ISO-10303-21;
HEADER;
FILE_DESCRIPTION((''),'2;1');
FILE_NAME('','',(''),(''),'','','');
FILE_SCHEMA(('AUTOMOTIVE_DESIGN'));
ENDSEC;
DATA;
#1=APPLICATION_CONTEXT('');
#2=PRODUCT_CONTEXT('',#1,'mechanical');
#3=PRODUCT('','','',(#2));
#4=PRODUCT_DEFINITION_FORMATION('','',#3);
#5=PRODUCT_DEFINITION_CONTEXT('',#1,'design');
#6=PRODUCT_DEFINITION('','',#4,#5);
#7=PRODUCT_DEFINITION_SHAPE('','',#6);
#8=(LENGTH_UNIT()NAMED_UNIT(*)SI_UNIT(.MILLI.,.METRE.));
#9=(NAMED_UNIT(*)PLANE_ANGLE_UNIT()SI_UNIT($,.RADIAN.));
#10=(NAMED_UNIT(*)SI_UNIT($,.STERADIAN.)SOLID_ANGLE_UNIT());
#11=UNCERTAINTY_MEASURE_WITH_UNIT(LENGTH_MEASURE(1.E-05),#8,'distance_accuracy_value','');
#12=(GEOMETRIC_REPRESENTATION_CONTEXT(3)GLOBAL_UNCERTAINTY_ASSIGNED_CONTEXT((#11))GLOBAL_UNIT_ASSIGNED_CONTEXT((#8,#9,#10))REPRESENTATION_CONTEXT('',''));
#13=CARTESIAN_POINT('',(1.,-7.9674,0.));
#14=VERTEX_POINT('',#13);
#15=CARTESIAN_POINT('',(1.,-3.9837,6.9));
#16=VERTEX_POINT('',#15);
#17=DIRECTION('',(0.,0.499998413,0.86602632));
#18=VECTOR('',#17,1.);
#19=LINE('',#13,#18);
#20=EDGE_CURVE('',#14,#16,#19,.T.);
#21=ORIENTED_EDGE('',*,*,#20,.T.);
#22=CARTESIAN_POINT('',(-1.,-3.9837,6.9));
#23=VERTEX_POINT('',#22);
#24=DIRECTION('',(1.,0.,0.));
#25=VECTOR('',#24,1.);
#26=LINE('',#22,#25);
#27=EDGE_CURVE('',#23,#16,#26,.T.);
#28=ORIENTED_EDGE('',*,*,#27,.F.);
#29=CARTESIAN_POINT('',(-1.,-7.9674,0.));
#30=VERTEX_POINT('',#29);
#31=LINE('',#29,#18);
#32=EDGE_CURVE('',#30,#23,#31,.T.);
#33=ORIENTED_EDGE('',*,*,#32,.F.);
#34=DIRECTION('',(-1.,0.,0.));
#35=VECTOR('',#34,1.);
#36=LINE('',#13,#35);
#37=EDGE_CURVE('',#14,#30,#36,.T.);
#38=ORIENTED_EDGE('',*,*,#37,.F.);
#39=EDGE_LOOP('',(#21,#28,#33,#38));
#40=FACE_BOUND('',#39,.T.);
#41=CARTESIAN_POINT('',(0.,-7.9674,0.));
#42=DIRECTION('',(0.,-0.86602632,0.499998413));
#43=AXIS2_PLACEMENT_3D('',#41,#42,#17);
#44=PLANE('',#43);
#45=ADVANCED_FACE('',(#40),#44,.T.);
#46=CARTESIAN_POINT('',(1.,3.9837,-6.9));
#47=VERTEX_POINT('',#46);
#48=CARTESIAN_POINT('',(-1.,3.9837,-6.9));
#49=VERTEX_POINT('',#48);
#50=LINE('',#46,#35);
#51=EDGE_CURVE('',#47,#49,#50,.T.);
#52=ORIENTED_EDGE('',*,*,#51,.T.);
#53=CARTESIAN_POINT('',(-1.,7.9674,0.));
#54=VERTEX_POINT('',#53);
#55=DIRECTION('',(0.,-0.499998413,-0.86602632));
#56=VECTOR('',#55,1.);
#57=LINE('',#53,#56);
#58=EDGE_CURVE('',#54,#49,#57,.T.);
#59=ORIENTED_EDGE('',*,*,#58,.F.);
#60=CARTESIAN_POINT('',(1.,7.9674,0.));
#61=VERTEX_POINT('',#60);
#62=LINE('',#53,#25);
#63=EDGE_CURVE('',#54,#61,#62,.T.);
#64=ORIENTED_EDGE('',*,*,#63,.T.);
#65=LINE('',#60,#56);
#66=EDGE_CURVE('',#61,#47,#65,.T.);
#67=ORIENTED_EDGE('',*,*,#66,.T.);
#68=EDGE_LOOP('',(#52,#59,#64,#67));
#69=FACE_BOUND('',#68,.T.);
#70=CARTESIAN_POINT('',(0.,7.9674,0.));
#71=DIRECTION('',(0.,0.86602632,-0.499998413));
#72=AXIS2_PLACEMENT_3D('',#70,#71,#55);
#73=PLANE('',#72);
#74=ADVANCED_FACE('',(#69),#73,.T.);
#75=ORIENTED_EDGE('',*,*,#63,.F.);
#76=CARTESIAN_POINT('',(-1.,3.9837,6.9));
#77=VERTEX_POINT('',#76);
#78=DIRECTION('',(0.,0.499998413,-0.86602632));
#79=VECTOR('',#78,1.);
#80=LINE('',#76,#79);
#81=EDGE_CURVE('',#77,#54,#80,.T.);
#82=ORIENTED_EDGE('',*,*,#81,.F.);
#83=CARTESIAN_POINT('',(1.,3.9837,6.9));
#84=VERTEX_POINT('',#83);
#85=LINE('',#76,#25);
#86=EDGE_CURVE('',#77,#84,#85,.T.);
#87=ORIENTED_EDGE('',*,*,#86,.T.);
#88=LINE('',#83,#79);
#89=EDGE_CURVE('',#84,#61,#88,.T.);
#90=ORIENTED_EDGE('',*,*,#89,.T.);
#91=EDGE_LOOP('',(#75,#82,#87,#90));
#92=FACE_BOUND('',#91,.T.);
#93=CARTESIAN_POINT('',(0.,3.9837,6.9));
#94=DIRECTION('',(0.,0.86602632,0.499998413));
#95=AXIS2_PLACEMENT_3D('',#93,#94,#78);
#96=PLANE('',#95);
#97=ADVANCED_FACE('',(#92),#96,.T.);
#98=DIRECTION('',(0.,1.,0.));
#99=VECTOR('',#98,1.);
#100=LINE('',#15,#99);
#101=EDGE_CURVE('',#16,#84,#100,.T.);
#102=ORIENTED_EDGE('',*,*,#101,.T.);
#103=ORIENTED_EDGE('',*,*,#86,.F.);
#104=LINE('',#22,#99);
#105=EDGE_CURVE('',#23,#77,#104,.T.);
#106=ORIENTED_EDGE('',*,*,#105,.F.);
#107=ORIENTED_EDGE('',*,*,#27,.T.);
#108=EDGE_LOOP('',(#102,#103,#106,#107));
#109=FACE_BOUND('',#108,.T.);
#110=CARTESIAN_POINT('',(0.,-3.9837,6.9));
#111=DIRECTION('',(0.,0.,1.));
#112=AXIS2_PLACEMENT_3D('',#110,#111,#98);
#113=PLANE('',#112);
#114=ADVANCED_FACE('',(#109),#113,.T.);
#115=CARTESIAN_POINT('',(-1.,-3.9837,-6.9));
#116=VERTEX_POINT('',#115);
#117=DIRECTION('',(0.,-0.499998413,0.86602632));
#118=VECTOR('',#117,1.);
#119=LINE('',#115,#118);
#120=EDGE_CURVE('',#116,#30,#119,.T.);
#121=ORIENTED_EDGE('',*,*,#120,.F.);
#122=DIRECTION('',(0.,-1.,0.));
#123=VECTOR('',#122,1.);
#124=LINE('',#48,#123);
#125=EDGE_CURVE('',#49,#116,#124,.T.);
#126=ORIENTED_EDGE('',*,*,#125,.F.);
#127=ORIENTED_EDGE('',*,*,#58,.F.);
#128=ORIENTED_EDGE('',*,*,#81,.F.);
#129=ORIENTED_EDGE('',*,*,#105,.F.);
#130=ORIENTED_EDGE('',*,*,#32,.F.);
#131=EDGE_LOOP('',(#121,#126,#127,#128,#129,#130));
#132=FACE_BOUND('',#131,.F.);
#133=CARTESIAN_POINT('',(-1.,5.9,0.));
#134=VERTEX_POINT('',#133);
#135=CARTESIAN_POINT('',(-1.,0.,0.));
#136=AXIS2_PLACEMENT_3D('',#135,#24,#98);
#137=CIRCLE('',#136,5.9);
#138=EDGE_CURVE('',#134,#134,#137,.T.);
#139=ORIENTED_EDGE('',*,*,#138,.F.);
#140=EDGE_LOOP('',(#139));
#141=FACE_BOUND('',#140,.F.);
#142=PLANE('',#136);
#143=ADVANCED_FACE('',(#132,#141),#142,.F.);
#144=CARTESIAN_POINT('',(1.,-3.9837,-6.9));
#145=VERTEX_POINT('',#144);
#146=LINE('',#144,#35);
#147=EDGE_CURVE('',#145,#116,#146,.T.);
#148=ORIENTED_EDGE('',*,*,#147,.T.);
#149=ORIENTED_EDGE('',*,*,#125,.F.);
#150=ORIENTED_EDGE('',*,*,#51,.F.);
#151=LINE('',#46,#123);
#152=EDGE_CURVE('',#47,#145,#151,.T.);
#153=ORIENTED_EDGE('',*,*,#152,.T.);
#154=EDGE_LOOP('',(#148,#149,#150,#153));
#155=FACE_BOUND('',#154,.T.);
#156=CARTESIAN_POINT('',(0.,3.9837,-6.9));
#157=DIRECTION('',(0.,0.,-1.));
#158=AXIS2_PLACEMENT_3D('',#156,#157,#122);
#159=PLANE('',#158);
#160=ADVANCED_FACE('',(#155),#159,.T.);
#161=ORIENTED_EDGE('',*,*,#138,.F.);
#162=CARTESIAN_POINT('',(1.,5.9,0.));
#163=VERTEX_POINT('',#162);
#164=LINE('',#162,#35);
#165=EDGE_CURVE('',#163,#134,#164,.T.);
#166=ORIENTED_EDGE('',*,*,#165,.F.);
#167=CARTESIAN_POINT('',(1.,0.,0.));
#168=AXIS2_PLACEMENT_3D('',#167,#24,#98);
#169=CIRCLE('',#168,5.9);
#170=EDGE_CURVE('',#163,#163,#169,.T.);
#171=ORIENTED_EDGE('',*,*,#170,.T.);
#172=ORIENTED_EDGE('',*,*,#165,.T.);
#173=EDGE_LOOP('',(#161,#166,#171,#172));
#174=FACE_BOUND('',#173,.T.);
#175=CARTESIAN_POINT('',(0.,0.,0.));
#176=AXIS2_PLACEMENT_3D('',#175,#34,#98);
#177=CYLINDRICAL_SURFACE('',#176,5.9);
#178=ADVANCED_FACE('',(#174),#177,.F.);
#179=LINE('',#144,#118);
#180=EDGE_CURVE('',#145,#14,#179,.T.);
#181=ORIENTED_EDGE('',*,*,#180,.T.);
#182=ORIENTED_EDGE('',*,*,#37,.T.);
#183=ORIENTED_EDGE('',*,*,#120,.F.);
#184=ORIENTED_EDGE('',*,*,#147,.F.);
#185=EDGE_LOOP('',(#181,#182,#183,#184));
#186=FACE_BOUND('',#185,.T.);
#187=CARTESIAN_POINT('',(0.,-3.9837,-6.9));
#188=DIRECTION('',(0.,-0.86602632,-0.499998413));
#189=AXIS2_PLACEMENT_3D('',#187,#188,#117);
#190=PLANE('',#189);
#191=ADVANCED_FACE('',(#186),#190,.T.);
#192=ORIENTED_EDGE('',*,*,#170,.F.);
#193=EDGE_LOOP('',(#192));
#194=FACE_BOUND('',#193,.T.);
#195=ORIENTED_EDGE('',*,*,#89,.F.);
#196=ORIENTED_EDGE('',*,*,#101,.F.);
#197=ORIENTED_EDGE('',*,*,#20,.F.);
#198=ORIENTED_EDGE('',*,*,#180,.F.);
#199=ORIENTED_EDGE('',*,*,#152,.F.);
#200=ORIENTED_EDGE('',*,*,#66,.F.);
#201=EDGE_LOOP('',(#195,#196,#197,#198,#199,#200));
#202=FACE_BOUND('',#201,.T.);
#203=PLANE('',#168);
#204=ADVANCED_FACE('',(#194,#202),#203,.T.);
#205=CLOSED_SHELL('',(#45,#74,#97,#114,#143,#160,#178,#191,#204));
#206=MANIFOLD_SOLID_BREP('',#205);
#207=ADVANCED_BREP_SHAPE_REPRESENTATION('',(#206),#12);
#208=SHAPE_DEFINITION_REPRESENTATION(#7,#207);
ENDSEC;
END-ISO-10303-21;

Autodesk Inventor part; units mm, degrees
ref_plane "YZ Plane" through (0, 0, 0) normal (1, 0, 0) x (0, 1, 0)
ref_plane "XZ Plane" through (0, 0, 0) normal (0, 1, 0) x (-1, 0, 0)
ref_plane "XY Plane" through (0, 0, 0) normal (0, 0, 1) x (1, 0, 0)
sketch "Sketch1" plane through (0, 0, 0) normal (1, 0, 0) x (0, 1, 0)
  line L0 (7.9674, 0) -> (3.9837, -6.9)
  line L1 (3.9837, -6.9) -> (-3.9837, -6.9)
  line L2 (-3.9837, -6.9) -> (-7.9674, 0)
  line L3 (-7.9674, 0) -> (-3.9837, 6.9)
  line L4 (-3.9837, 6.9) -> (3.9837, 6.9)
  line L5 (3.9837, 6.9) -> (7.9674, 0)
  circle A0 centre (0, 0) radius 5.9
  dimension "d0" = 13.8
  dimension "d1" = 11.8
extrude "Extrusion1" add sketch "Sketch1" along normal mid plane 2
thread "Thread1" size "M12x1" class "6H" standard "ANSI Metric M Profile" full length
properties part number "Porca da Chave Seletora"
